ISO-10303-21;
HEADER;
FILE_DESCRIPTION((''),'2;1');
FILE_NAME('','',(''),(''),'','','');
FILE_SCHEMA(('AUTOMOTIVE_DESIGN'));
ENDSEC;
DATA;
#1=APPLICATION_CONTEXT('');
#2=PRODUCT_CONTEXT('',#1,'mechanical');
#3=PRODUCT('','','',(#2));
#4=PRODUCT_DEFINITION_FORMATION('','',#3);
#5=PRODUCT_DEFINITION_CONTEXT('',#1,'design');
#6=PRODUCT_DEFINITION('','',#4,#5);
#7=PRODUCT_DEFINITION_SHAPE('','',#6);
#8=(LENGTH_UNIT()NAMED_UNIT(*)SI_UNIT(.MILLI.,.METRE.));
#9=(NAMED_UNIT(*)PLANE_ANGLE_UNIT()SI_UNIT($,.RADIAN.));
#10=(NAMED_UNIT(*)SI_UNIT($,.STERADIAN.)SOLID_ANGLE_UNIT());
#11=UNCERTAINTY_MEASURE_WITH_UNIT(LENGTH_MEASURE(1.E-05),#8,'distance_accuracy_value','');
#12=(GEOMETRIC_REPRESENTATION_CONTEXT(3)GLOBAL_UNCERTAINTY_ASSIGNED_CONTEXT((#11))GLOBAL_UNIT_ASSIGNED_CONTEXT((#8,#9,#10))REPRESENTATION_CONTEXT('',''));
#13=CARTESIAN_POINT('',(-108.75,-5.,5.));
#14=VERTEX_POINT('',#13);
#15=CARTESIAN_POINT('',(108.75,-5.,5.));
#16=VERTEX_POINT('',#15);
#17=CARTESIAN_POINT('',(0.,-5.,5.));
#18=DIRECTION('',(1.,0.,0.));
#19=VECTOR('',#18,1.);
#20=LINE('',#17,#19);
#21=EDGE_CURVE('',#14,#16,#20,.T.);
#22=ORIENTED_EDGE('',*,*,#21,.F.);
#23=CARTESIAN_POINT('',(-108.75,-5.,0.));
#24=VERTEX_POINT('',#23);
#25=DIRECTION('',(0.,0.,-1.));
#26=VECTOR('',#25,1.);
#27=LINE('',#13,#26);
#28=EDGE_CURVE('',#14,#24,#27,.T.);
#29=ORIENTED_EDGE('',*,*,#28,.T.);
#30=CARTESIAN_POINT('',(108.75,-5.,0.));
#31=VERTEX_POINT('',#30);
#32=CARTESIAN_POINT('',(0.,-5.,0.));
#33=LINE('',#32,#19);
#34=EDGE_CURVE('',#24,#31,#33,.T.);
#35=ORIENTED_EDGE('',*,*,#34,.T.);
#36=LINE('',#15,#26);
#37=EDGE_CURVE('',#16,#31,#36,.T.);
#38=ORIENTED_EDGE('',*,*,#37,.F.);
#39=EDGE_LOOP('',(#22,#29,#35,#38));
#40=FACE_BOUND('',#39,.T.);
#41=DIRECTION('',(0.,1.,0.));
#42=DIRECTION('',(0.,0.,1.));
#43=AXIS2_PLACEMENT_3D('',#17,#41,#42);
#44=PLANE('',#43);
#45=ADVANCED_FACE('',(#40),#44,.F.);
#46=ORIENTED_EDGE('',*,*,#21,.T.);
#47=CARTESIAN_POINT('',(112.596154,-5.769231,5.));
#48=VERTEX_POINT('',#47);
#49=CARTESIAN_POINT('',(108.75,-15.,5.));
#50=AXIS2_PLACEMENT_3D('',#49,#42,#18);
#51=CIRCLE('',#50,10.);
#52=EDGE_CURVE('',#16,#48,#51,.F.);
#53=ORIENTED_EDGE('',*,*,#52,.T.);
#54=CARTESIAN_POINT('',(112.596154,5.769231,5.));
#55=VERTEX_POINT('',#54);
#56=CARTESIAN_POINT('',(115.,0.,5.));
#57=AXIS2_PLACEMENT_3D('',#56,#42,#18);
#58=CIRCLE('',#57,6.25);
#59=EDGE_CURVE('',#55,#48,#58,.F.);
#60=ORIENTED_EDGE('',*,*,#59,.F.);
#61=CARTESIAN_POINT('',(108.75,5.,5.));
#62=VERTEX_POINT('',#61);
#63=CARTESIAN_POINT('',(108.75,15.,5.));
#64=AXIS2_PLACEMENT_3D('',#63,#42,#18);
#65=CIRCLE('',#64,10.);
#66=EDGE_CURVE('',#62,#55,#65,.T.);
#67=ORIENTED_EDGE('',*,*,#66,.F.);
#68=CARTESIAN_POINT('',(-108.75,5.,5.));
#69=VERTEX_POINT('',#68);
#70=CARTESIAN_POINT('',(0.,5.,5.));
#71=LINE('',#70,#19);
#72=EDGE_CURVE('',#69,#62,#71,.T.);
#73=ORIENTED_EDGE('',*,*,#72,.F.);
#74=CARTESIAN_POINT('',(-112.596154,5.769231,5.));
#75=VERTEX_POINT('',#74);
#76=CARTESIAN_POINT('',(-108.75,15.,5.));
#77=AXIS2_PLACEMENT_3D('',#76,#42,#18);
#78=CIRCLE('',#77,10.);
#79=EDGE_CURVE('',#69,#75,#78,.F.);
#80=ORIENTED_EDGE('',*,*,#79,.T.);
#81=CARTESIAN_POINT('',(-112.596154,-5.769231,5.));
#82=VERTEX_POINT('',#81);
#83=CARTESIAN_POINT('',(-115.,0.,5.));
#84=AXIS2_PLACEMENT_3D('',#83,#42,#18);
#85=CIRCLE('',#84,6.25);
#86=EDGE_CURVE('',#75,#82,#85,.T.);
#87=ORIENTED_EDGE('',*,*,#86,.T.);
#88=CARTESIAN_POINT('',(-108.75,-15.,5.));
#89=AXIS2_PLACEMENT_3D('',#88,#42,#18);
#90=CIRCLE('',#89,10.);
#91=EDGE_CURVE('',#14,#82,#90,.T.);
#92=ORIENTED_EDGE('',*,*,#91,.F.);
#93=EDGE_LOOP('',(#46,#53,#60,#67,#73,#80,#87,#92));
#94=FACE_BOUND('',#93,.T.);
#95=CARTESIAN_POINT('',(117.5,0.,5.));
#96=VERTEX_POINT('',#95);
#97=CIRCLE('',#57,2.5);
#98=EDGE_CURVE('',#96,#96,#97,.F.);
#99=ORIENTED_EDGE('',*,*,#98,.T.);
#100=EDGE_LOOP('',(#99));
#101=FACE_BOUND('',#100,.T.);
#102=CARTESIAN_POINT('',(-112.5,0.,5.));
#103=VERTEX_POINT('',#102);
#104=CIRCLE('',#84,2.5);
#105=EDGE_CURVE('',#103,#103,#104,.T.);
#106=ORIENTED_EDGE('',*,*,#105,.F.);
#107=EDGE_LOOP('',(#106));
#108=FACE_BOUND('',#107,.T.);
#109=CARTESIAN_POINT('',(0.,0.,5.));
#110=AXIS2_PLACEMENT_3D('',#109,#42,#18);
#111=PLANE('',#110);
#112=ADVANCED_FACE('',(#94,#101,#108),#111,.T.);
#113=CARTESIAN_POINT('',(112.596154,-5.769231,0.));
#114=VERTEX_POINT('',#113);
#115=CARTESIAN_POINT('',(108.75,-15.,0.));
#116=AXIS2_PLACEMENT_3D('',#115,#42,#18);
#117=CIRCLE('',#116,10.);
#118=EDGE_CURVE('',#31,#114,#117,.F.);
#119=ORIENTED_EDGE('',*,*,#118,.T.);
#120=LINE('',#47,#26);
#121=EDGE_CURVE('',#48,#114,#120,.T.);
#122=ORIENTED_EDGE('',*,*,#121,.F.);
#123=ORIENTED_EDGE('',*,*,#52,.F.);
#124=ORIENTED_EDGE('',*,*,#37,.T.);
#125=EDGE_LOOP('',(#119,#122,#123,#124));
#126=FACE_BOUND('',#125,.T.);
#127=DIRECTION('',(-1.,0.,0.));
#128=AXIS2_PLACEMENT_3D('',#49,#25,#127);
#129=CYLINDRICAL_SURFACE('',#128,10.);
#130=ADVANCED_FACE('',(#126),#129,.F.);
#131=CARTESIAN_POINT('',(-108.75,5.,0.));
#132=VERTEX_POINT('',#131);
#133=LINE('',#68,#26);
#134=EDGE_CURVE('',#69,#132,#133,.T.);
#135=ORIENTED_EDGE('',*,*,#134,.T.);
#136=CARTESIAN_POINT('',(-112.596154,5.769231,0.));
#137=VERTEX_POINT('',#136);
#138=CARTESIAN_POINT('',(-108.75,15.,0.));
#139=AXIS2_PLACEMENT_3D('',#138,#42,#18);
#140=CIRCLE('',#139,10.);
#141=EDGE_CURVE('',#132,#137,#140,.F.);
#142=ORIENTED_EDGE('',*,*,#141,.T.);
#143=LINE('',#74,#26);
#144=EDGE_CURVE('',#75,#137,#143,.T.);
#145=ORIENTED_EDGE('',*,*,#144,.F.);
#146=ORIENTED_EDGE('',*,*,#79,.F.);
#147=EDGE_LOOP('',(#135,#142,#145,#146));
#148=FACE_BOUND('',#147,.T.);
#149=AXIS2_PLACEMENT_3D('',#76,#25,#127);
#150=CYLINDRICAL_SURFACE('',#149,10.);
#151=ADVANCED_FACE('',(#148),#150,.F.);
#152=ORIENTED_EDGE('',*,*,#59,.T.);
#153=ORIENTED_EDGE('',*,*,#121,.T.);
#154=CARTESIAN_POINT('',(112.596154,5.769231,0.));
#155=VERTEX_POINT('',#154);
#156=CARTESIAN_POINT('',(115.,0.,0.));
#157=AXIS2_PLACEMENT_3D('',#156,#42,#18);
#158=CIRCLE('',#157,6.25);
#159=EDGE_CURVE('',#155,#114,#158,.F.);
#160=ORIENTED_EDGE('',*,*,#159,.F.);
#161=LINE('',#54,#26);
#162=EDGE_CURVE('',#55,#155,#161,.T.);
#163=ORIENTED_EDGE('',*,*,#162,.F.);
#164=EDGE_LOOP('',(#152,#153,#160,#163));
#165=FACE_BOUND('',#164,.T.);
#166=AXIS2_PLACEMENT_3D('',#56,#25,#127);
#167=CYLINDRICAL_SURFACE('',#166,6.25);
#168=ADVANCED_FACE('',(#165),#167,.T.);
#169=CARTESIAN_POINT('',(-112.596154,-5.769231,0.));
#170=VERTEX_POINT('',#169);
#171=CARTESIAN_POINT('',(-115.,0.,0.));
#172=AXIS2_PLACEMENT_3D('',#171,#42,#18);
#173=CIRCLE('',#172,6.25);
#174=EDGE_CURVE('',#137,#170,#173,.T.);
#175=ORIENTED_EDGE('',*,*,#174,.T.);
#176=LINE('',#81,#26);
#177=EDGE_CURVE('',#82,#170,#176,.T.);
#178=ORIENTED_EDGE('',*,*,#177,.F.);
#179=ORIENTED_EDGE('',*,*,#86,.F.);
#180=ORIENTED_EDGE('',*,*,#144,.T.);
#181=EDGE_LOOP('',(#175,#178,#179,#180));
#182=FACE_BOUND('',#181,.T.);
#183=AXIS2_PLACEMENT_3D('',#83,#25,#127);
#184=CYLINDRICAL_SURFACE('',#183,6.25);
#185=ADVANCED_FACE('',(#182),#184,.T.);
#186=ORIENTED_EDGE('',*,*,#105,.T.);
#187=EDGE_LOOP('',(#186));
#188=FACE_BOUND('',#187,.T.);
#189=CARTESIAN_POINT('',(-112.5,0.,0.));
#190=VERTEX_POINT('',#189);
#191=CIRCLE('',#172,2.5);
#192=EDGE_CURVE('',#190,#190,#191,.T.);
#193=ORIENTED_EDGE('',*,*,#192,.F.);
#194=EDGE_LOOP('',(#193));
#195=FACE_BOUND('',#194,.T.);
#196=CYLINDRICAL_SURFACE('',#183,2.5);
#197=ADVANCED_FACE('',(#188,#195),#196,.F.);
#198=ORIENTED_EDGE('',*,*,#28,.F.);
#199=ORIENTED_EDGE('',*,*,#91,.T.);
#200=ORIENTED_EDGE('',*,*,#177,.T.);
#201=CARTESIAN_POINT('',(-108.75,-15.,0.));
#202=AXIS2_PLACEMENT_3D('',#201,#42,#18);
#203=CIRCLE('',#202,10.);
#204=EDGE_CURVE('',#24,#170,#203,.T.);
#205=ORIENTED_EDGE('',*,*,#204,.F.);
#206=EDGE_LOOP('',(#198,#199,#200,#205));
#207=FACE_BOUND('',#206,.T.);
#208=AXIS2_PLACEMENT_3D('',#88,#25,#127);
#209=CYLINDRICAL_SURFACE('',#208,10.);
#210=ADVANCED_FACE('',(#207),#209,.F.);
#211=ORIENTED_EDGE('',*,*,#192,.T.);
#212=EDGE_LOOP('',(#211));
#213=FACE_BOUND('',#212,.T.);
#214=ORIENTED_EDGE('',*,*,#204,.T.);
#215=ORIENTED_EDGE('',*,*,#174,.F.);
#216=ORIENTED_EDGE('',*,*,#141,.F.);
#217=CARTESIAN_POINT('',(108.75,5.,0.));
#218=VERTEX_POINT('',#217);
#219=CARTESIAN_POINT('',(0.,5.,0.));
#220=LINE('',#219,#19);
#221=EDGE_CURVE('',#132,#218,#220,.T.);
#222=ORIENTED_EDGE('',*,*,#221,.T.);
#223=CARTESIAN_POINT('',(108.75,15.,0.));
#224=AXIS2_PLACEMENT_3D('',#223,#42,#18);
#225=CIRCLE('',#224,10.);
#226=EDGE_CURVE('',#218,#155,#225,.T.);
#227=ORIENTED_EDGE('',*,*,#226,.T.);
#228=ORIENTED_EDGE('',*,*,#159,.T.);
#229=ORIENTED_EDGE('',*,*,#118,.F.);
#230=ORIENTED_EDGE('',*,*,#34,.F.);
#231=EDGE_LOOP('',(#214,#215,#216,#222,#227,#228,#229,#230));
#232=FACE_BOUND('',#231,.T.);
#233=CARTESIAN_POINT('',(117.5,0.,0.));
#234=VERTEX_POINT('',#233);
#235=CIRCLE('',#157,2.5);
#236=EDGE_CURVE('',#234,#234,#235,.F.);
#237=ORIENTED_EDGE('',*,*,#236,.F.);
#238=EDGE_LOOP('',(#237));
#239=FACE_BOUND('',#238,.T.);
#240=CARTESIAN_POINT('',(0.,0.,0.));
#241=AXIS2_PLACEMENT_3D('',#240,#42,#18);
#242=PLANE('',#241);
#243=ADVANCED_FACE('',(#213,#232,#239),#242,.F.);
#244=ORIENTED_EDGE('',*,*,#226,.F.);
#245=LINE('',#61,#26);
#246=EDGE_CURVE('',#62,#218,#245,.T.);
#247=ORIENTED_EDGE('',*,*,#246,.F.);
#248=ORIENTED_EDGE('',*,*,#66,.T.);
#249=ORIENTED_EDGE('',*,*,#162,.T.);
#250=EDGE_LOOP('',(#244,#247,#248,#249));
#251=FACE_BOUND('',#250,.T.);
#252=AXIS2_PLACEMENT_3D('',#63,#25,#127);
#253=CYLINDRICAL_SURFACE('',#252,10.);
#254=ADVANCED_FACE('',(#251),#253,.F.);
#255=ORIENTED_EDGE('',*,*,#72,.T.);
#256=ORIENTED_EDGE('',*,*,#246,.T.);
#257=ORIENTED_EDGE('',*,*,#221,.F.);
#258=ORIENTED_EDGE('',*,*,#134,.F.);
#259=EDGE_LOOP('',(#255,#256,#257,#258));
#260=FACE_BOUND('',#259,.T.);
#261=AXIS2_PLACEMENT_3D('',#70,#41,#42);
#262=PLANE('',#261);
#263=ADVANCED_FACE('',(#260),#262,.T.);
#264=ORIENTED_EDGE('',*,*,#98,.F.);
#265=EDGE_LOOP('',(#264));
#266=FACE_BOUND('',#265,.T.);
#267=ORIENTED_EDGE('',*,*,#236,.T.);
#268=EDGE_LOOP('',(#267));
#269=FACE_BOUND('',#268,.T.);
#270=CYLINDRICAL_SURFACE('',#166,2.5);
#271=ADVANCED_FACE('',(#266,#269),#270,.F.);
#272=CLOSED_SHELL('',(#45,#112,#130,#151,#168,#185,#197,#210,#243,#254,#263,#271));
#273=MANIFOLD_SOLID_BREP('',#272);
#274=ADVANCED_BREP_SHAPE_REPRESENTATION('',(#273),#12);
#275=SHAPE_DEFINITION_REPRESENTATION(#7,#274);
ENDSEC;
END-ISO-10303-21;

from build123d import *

# Parameters (mm, degrees)
SKIZZE1_R                       = 2.5
AUFSATZ_LINEAR_AUSTRAGEN1_DEPTH = 5


with BuildPart() as part:
    # Skizze1 → Aufsatz-Linear austragen1 (new body)
    with BuildSketch(Plane.XY):
        with BuildLine():
            Line((-108.75, 5), (108.75, 5))
            ThreePointArc((108.75, 5), (110.711161351, 5.194193243), (112.596153846, 5.769230769))
            ThreePointArc((112.596153846, 5.769230769), (121.25, 0), (112.596153846, -5.769230769))
            ThreePointArc((112.596153846, -5.769230769), (110.711161351, -5.194193243), (108.75, -5))
            Line((108.75, -5), (-108.75, -5))
            ThreePointArc((-108.75, -5), (-110.711161351, -5.194193243), (-112.596153846, -5.769230769))
            ThreePointArc((-112.596153846, -5.769230769), (-121.25, 0), (-112.596153846, 5.769230769))
            ThreePointArc((-112.596153846, 5.769230769), (-110.711161351, 5.194193243), (-108.75, 5))
        make_face()
        with Locations((-115, 0)):
            Circle(SKIZZE1_R, mode=Mode.SUBTRACT)
        with Locations((115, 0)):
            Circle(SKIZZE1_R, mode=Mode.SUBTRACT)
    extrude(amount=AUFSATZ_LINEAR_AUSTRAGEN1_DEPTH)


solid = part.part
